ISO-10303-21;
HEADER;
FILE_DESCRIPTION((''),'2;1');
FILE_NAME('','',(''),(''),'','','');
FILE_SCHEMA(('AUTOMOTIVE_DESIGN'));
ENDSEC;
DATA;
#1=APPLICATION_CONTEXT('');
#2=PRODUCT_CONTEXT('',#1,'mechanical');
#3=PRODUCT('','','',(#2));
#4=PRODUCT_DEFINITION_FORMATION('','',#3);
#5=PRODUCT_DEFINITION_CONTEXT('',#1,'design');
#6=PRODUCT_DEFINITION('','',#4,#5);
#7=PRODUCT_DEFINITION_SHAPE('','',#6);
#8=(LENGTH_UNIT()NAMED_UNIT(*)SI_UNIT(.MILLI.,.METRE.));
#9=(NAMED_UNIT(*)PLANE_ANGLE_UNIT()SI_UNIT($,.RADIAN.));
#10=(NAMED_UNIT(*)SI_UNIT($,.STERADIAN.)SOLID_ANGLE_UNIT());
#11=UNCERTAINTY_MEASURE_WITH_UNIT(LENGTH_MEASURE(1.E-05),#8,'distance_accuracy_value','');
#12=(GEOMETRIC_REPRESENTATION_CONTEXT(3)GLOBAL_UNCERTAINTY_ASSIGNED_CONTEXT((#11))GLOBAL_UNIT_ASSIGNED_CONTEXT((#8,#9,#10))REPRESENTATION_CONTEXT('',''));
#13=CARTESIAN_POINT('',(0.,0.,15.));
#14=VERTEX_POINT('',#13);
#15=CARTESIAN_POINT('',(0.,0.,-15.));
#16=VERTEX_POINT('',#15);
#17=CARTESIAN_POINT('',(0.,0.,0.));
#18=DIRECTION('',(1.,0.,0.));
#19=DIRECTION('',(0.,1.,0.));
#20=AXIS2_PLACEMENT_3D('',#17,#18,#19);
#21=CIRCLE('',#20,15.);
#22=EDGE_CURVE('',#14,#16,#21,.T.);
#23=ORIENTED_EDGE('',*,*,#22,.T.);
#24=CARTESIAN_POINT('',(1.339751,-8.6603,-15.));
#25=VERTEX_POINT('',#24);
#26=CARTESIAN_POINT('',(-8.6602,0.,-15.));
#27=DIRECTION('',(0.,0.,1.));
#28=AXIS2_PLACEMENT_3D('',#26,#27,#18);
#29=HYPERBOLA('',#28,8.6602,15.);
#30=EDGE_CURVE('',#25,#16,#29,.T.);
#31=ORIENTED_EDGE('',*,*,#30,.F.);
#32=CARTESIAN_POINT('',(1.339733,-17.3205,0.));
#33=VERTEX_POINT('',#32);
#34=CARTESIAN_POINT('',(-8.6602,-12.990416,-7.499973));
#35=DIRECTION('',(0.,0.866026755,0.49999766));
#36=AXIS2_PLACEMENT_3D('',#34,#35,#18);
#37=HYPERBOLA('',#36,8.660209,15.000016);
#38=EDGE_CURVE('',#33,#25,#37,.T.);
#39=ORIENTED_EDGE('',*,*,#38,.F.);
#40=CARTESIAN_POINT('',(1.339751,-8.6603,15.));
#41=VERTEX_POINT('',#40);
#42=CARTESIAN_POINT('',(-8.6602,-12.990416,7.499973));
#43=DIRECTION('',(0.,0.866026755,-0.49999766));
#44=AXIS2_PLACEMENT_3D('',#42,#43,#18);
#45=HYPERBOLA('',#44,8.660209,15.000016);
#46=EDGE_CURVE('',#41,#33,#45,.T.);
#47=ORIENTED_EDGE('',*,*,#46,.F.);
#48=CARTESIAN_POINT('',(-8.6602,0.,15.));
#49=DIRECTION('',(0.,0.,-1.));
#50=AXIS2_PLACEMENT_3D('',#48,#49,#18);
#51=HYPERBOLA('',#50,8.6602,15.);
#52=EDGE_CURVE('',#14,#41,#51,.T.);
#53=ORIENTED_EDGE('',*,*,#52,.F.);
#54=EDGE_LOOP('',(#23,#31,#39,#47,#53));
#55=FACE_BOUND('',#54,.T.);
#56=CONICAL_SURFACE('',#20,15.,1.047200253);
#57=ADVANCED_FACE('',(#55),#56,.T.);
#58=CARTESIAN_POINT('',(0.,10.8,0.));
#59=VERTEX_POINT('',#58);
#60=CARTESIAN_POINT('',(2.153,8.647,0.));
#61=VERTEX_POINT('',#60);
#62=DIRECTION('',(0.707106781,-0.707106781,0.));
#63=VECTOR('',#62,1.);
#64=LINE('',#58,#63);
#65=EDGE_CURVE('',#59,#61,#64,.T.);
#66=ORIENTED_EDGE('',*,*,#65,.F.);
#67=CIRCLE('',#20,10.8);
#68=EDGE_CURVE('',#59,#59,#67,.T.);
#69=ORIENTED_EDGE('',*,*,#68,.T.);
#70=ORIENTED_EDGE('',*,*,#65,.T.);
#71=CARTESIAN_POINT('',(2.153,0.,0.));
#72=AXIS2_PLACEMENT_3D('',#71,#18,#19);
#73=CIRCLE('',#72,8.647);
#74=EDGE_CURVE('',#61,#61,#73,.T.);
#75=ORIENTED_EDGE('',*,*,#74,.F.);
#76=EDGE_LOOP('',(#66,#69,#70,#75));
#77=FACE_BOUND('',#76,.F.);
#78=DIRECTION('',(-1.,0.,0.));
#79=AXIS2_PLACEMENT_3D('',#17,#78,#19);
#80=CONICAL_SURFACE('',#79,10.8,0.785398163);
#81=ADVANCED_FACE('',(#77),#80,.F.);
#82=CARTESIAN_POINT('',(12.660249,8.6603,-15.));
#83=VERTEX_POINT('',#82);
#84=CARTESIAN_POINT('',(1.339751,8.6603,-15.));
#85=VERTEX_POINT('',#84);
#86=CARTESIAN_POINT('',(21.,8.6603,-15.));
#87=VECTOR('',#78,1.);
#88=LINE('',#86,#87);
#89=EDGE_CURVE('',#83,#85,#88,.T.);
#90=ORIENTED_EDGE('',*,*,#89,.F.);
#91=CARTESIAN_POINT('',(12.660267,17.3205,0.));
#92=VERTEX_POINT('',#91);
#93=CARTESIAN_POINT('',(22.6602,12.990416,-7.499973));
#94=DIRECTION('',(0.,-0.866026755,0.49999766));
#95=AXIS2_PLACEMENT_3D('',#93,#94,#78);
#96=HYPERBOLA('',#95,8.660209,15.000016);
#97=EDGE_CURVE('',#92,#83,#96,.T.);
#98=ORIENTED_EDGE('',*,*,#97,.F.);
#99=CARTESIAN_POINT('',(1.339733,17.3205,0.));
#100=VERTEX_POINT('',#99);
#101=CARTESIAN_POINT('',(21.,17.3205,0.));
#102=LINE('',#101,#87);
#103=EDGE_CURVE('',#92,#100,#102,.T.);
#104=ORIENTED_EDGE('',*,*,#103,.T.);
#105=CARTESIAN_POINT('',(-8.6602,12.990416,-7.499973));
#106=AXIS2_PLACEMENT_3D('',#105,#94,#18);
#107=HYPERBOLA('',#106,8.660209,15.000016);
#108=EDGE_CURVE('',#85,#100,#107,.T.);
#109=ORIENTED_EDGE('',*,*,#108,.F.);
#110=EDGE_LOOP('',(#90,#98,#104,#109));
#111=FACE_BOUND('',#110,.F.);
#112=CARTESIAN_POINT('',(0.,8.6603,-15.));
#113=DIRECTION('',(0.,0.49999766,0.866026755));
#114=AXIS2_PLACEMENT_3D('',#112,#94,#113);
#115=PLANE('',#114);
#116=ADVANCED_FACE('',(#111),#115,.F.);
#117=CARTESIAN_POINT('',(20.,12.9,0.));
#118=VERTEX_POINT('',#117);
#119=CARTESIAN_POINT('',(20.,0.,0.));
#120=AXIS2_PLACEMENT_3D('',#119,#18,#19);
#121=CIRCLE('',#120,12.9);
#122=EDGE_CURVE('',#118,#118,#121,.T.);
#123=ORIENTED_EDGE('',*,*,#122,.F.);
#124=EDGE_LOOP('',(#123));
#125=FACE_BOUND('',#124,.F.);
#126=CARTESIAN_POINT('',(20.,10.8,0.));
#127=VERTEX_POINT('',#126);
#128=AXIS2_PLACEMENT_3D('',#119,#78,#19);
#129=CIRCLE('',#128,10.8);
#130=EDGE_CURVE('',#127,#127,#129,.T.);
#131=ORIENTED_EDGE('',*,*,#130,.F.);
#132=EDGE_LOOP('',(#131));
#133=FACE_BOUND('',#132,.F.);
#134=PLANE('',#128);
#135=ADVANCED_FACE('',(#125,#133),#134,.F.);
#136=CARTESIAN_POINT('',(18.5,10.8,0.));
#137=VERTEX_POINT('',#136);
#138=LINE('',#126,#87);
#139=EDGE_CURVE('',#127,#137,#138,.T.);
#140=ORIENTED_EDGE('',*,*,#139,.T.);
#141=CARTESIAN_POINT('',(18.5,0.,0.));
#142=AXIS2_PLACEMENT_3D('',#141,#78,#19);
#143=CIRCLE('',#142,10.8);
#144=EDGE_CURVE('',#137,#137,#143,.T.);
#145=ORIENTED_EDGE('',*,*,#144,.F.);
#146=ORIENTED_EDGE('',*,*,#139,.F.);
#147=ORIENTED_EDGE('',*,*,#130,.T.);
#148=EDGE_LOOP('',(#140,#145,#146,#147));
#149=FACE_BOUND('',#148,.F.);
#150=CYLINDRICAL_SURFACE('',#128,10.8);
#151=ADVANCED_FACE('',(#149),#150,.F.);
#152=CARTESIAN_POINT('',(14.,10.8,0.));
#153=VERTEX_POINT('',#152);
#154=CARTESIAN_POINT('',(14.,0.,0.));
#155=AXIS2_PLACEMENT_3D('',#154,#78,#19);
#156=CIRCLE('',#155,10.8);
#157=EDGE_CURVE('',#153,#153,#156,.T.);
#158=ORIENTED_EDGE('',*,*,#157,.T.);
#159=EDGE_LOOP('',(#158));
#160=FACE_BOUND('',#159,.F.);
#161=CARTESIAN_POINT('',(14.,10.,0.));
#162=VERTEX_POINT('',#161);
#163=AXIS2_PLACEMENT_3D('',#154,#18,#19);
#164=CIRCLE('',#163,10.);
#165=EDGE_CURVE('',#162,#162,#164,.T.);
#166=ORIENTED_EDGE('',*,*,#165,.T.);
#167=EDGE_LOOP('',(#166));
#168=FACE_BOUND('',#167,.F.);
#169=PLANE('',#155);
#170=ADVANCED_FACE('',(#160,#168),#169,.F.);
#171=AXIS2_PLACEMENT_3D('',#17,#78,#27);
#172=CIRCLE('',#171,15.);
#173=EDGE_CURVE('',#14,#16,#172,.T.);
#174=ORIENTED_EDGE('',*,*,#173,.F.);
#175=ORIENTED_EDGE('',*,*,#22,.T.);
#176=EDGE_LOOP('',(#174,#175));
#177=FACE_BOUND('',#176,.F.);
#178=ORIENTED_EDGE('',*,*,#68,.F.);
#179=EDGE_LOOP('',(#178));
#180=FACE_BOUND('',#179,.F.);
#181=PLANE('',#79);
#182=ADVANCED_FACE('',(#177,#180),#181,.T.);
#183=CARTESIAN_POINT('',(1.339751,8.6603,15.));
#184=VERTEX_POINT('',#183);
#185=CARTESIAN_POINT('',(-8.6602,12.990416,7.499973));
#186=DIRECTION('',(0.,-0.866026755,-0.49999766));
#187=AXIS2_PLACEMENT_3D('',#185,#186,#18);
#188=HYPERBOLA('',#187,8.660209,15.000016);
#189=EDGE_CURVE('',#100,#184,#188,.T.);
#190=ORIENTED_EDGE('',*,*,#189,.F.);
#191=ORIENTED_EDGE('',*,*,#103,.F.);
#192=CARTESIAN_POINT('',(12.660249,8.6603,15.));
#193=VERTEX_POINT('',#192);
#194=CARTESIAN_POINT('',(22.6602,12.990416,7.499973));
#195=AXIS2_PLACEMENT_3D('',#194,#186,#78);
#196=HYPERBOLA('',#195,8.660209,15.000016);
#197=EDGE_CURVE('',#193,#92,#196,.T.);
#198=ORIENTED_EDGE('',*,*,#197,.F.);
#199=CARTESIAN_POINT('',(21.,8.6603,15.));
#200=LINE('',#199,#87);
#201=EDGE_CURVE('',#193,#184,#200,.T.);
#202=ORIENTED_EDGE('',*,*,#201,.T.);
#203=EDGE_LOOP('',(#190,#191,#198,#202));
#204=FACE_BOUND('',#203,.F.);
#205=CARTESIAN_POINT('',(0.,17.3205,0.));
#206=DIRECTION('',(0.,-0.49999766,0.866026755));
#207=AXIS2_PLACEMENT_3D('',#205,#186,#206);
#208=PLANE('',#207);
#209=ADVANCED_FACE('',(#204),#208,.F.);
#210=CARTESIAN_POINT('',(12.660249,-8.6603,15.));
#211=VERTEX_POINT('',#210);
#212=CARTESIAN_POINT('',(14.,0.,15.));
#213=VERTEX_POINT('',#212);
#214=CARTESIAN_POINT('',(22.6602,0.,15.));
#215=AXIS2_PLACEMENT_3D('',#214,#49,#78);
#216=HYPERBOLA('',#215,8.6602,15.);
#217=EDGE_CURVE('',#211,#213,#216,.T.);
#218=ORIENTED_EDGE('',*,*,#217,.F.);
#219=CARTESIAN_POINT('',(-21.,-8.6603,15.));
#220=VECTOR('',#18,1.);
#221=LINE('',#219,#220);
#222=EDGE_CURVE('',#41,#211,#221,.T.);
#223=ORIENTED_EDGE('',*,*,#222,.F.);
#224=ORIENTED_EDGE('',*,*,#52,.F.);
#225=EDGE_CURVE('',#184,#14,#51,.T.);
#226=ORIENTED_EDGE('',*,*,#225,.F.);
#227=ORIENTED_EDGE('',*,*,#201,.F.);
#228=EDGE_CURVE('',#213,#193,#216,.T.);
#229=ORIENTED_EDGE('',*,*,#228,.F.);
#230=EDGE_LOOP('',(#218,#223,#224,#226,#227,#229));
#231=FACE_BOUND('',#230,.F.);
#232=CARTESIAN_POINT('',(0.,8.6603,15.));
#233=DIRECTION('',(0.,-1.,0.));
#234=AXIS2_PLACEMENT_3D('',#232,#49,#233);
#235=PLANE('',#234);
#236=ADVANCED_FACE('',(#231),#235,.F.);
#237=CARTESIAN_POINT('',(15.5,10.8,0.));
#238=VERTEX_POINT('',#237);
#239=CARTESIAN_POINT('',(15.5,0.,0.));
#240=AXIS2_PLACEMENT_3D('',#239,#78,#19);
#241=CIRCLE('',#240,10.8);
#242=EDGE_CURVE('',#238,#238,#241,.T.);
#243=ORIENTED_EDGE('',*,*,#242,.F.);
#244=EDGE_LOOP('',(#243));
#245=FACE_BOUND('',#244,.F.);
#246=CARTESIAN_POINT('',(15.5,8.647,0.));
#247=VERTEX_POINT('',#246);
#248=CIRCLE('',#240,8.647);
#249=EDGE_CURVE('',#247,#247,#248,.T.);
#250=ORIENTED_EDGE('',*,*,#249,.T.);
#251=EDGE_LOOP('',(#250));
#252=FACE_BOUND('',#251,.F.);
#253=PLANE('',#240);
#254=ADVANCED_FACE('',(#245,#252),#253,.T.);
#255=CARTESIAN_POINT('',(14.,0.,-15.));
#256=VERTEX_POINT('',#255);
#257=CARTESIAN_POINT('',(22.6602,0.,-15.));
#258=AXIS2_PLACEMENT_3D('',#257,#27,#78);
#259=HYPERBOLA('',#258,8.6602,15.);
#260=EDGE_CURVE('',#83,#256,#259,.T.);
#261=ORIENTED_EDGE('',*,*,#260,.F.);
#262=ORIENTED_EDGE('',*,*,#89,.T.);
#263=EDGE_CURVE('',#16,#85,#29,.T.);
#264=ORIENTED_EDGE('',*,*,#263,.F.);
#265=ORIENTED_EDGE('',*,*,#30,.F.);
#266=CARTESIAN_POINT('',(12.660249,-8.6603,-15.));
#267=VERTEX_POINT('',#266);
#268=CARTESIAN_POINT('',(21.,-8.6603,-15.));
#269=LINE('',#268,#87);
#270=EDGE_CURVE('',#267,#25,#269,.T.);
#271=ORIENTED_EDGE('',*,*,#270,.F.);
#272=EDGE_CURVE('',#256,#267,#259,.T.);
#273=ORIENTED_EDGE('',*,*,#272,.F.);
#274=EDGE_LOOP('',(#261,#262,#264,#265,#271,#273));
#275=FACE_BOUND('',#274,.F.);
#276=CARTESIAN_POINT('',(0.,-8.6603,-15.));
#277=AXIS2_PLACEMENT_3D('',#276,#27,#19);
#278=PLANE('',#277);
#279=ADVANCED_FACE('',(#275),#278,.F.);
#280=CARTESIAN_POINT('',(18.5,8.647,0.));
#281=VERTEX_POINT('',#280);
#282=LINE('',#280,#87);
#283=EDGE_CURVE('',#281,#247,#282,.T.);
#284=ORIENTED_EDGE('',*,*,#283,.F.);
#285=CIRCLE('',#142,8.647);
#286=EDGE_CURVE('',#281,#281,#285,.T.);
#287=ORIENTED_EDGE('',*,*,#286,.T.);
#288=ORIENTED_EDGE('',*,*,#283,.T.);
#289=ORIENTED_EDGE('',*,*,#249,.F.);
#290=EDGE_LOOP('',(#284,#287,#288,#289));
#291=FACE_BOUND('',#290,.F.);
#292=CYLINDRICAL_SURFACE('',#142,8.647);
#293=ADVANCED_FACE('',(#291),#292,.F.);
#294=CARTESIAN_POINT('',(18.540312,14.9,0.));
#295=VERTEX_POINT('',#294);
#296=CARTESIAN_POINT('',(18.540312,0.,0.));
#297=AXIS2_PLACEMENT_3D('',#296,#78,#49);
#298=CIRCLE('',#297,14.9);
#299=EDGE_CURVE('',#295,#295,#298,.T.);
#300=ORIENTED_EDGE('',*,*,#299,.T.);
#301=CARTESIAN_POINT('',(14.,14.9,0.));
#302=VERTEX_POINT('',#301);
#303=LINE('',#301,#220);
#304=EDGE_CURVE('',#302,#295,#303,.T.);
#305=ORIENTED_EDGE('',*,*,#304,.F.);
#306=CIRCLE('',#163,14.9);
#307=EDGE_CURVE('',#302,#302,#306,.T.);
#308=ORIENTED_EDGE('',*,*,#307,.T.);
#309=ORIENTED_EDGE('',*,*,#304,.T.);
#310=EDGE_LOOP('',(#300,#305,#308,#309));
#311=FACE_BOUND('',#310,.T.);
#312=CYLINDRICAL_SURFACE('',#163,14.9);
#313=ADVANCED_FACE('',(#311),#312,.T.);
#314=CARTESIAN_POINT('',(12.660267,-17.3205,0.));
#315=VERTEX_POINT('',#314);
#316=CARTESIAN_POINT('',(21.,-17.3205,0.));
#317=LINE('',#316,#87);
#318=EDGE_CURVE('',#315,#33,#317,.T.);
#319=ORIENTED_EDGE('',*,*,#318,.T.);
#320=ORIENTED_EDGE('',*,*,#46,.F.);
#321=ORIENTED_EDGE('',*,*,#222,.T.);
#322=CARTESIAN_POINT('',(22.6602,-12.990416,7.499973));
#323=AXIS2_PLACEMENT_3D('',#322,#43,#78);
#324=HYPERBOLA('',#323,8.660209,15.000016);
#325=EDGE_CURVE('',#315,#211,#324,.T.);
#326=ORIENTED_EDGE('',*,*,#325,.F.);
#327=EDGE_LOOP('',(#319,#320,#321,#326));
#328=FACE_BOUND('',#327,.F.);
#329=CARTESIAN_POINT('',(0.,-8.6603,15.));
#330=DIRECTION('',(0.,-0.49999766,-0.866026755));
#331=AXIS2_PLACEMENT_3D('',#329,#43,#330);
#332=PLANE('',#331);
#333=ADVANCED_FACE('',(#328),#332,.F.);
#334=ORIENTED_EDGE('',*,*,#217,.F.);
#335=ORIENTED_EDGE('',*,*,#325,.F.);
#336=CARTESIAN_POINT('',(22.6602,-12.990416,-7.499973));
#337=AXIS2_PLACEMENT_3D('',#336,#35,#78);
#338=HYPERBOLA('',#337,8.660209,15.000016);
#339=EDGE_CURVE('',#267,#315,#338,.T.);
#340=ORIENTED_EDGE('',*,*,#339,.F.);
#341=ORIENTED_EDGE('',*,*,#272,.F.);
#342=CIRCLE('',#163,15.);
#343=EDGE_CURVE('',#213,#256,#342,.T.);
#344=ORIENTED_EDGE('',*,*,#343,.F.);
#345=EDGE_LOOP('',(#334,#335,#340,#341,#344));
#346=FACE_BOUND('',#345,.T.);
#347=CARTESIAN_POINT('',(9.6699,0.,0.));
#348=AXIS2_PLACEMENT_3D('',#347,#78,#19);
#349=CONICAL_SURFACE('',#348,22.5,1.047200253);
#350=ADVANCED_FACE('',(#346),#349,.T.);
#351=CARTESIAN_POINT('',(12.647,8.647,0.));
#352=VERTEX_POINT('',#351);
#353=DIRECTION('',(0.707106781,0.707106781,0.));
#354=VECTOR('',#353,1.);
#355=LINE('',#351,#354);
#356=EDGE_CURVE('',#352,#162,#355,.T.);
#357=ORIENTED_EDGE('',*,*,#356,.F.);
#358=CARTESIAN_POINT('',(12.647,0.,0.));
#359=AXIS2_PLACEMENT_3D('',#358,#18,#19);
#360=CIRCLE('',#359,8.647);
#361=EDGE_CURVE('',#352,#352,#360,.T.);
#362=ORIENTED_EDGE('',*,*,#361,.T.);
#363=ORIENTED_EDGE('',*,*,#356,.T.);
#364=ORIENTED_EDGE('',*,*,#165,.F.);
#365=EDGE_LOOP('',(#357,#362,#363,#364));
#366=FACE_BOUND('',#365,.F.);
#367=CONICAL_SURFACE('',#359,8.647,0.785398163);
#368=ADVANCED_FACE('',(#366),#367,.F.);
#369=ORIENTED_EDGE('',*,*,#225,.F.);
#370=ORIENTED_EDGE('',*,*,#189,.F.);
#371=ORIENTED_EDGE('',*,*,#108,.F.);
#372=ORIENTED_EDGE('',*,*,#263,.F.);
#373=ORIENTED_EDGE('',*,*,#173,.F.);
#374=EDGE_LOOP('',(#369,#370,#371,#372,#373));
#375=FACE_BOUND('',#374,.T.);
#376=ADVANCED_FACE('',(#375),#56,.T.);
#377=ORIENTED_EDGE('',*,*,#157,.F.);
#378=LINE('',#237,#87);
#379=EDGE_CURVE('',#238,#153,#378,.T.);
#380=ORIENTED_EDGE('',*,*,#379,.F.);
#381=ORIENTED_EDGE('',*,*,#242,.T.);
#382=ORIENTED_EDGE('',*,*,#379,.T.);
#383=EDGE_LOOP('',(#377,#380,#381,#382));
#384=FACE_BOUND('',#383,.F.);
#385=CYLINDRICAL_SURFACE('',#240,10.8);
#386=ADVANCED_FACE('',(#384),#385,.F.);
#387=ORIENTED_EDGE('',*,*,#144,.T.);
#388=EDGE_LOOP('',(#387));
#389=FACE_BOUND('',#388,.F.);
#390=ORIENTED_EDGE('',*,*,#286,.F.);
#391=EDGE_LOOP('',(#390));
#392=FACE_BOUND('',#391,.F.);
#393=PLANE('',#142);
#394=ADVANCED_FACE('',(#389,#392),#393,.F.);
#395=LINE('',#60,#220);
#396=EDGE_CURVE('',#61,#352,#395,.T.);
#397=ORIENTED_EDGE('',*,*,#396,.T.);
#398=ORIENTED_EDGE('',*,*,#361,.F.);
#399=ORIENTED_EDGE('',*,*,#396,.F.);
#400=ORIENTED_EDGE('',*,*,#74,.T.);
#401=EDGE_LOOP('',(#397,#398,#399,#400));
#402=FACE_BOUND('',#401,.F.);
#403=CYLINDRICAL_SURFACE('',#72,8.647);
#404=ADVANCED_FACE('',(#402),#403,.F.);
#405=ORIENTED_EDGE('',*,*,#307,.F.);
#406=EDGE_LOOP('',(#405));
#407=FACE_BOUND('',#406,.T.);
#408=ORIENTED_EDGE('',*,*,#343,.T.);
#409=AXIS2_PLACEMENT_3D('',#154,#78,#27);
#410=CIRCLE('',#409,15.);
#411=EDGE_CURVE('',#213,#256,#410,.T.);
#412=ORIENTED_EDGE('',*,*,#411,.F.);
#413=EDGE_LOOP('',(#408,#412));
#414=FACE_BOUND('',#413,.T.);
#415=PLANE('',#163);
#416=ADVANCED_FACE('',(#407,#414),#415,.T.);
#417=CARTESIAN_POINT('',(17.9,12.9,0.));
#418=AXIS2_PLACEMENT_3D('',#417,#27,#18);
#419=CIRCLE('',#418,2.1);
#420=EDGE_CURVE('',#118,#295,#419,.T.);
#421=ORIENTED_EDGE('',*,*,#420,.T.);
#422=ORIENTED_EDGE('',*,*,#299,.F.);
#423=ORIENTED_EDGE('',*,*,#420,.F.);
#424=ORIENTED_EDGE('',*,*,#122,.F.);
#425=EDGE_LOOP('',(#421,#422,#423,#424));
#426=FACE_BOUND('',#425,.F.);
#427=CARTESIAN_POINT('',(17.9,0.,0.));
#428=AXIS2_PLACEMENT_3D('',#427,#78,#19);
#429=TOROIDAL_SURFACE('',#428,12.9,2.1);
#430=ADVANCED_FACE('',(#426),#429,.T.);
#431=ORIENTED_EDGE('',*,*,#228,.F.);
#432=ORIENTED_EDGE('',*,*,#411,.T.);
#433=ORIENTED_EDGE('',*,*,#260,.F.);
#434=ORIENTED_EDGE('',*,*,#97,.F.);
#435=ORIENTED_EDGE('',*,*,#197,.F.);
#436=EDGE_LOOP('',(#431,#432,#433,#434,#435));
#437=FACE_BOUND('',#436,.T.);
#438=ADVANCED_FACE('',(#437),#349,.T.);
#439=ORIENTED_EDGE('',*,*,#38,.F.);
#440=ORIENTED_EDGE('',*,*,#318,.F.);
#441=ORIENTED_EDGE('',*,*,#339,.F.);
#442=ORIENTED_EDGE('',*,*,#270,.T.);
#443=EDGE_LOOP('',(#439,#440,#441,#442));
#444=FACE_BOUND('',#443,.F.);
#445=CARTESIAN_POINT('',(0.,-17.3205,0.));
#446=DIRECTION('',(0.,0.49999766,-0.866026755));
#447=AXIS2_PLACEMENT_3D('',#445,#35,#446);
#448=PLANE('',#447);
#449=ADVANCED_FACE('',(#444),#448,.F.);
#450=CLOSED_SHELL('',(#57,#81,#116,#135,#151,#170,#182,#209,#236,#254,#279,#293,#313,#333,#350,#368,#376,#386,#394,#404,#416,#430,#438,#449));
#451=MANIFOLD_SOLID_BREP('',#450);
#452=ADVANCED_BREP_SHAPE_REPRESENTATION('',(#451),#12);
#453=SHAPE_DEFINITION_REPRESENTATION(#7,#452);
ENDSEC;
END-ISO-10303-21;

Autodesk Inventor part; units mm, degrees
sketch "Sketch_1" plane through (0, 0, 0) normal (0, 0, 1) x (1, 0, 0)
  line L0 (20, 0) -> (0, 0)
  line L1 (0, 0) -> (0, 18)
  line L2 (0, 18) -> (20, 18)
  line L3 (20, 18) -> (20, 10.8)
  line L4 (20, 10.8) -> (18.5, 10.8)
  line L5 (18.5, 10.8) -> (18.5, 8.647)
  line L6 (18.5, 8.647) -> (15.5, 8.647)
  line L7 (15.5, 8.647) -> (15.5, 10.8)
  line L8 (15.5, 10.8) -> (14, 10.8)
  line L9 (14, 10.8) -> (14, 0)
  line L10 (14, 0) -> (0, 0)
revolve "Revolution1" add sketch "Sketch_1" angle 360 about axis through (20, 0, 0) along (-1, 0, 0)
sketch "Sketch_2" plane through (0, 0, 0) normal (1, 0, 0) x (0, 1, 0)
  line L0 (30, 30) -> (-30, 30)
  line L1 (-30, 30) -> (-30, -30)
  line L2 (-30, -30) -> (30, -30)
  line L3 (30, -30) -> (30, 30)
  line L4 (-8.6603, 15) -> (-17.3205, 0)
  line L5 (-17.3205, 0) -> (-8.6603, -15)
  line L6 (-8.6603, -15) -> (8.6603, -15)
  line L7 (8.6603, -15) -> (17.3205, 0)
  line L8 (17.3205, 0) -> (8.6603, 15)
  line L9 (8.6603, 15) -> (-8.6603, 15)
extrude "Extrusion1" cut sketch "Sketch_2" along normal mid plane 42
sketch "Sketch_8" plane through (0, 0, 0) normal (0, 0, 1) x (1, 0, 0)
  line L0 (20, 0) -> (0, 0)
  line L1 (14, 18) -> (14, 14.9)
  line L2 (14, 14.9) -> (20, 14.9)
  line L3 (20, 14.9) -> (20, 18)
  line L4 (20, 18) -> (14, 18)
revolve "Revolution2" cut sketch "Sketch_8" angle 360 about axis through (20, 0, 0) along (1, 0, 0)
sketch "Sketch_4" plane through (0, 0, 0) normal (0, 0, 1) x (1, 0, 0)
  line L0 (14, 0) -> (0, 0)
  line L1 (0, 0) -> (0, 10.8)
  line L2 (0, 10.8) -> (2.153, 8.647)
  line L3 (2.153, 8.647) -> (12.647, 8.647)
  line L4 (12.647, 8.647) -> (14, 10)
  line L5 (14, 10) -> (14, 0)
  line L6 (14, 0) -> (0, 0)
revolve "Revolution3" cut sketch "Sketch_4" angle 360 about axis through (14, 0, 0) along (1, 0, 0)
thread "Thread1" size "M20x2.5" class "6H" standard "ISO Metric profile" full length
sketch "Sketch_5" plane through (0, 0, 0) normal (0, 0, 1) x (1, 0, 0)
  line L0 (20, 0) -> (0, 0)
  line L1 (17.8, 15) -> (17.9, 15)
  arc A0 (20, 12.9) -> (17.9, 15) centre (17.9, 12.9) ccw
  line L2 (20, 12.9) -> (20.1, 12.9)
  line L3 (20.1, 12.9) -> (20.1, 22.5)
  line L4 (20.1, 22.5) -> (17.8, 22.5)
  line L5 (17.8, 22.5) -> (17.8, 15)
revolve "Revolution4" cut sketch "Sketch_5" angle 360 about axis through (20, 0, 0) along (1, 0, 0)
sketch "Sketch_6" plane through (0, 0, 0) normal (0, 0, 1) x (1, 0, 0)
  line L0 (20, 0) -> (0, 0)
  line L1 (-1, 15) -> (0, 15)
  line L2 (0, 15) -> (4.3301, 22.5)
  line L3 (4.3301, 22.5) -> (9.6699, 22.5)
  line L4 (9.6699, 22.5) -> (14, 15)
  line L5 (14, 15) -> (15.5, 15)
  line L6 (15.5, 15) -> (15.5, 25.5)
  line L7 (15.5, 25.5) -> (-1, 25.5)
  line L8 (-1, 25.5) -> (-1, 15)
revolve "Revolution5" cut sketch "Sketch_6" angle 360 about axis through (20, 0, 0) along (1, 0, 0)
ref_plane "IP1_XY" through (0, 0, 0) normal (1, 0, 0) x (0, 0, -1)
ref_plane "IP1_YZ" through (0, 0, 0) normal (0, 0, -1) x (0, 1, 0)
ref_plane "IP1_ZX" through (0, 0, 0) normal (0, 1, 0) x (1, 0, 0)
ref_plane "IP2_XY" through (20, 0, 0) normal (1, 0, 0) x (0, 0, -1)
ref_plane "IP2_YZ" through (20, 0, 0) normal (0, 0, -1) x (0, 1, 0)
ref_plane "IP2_ZX" through (20, 0, 0) normal (0, 1, 0) x (1, 0, 0)
properties part number "BN 161 1118811 prevailing torque type hex lock nut M20"
